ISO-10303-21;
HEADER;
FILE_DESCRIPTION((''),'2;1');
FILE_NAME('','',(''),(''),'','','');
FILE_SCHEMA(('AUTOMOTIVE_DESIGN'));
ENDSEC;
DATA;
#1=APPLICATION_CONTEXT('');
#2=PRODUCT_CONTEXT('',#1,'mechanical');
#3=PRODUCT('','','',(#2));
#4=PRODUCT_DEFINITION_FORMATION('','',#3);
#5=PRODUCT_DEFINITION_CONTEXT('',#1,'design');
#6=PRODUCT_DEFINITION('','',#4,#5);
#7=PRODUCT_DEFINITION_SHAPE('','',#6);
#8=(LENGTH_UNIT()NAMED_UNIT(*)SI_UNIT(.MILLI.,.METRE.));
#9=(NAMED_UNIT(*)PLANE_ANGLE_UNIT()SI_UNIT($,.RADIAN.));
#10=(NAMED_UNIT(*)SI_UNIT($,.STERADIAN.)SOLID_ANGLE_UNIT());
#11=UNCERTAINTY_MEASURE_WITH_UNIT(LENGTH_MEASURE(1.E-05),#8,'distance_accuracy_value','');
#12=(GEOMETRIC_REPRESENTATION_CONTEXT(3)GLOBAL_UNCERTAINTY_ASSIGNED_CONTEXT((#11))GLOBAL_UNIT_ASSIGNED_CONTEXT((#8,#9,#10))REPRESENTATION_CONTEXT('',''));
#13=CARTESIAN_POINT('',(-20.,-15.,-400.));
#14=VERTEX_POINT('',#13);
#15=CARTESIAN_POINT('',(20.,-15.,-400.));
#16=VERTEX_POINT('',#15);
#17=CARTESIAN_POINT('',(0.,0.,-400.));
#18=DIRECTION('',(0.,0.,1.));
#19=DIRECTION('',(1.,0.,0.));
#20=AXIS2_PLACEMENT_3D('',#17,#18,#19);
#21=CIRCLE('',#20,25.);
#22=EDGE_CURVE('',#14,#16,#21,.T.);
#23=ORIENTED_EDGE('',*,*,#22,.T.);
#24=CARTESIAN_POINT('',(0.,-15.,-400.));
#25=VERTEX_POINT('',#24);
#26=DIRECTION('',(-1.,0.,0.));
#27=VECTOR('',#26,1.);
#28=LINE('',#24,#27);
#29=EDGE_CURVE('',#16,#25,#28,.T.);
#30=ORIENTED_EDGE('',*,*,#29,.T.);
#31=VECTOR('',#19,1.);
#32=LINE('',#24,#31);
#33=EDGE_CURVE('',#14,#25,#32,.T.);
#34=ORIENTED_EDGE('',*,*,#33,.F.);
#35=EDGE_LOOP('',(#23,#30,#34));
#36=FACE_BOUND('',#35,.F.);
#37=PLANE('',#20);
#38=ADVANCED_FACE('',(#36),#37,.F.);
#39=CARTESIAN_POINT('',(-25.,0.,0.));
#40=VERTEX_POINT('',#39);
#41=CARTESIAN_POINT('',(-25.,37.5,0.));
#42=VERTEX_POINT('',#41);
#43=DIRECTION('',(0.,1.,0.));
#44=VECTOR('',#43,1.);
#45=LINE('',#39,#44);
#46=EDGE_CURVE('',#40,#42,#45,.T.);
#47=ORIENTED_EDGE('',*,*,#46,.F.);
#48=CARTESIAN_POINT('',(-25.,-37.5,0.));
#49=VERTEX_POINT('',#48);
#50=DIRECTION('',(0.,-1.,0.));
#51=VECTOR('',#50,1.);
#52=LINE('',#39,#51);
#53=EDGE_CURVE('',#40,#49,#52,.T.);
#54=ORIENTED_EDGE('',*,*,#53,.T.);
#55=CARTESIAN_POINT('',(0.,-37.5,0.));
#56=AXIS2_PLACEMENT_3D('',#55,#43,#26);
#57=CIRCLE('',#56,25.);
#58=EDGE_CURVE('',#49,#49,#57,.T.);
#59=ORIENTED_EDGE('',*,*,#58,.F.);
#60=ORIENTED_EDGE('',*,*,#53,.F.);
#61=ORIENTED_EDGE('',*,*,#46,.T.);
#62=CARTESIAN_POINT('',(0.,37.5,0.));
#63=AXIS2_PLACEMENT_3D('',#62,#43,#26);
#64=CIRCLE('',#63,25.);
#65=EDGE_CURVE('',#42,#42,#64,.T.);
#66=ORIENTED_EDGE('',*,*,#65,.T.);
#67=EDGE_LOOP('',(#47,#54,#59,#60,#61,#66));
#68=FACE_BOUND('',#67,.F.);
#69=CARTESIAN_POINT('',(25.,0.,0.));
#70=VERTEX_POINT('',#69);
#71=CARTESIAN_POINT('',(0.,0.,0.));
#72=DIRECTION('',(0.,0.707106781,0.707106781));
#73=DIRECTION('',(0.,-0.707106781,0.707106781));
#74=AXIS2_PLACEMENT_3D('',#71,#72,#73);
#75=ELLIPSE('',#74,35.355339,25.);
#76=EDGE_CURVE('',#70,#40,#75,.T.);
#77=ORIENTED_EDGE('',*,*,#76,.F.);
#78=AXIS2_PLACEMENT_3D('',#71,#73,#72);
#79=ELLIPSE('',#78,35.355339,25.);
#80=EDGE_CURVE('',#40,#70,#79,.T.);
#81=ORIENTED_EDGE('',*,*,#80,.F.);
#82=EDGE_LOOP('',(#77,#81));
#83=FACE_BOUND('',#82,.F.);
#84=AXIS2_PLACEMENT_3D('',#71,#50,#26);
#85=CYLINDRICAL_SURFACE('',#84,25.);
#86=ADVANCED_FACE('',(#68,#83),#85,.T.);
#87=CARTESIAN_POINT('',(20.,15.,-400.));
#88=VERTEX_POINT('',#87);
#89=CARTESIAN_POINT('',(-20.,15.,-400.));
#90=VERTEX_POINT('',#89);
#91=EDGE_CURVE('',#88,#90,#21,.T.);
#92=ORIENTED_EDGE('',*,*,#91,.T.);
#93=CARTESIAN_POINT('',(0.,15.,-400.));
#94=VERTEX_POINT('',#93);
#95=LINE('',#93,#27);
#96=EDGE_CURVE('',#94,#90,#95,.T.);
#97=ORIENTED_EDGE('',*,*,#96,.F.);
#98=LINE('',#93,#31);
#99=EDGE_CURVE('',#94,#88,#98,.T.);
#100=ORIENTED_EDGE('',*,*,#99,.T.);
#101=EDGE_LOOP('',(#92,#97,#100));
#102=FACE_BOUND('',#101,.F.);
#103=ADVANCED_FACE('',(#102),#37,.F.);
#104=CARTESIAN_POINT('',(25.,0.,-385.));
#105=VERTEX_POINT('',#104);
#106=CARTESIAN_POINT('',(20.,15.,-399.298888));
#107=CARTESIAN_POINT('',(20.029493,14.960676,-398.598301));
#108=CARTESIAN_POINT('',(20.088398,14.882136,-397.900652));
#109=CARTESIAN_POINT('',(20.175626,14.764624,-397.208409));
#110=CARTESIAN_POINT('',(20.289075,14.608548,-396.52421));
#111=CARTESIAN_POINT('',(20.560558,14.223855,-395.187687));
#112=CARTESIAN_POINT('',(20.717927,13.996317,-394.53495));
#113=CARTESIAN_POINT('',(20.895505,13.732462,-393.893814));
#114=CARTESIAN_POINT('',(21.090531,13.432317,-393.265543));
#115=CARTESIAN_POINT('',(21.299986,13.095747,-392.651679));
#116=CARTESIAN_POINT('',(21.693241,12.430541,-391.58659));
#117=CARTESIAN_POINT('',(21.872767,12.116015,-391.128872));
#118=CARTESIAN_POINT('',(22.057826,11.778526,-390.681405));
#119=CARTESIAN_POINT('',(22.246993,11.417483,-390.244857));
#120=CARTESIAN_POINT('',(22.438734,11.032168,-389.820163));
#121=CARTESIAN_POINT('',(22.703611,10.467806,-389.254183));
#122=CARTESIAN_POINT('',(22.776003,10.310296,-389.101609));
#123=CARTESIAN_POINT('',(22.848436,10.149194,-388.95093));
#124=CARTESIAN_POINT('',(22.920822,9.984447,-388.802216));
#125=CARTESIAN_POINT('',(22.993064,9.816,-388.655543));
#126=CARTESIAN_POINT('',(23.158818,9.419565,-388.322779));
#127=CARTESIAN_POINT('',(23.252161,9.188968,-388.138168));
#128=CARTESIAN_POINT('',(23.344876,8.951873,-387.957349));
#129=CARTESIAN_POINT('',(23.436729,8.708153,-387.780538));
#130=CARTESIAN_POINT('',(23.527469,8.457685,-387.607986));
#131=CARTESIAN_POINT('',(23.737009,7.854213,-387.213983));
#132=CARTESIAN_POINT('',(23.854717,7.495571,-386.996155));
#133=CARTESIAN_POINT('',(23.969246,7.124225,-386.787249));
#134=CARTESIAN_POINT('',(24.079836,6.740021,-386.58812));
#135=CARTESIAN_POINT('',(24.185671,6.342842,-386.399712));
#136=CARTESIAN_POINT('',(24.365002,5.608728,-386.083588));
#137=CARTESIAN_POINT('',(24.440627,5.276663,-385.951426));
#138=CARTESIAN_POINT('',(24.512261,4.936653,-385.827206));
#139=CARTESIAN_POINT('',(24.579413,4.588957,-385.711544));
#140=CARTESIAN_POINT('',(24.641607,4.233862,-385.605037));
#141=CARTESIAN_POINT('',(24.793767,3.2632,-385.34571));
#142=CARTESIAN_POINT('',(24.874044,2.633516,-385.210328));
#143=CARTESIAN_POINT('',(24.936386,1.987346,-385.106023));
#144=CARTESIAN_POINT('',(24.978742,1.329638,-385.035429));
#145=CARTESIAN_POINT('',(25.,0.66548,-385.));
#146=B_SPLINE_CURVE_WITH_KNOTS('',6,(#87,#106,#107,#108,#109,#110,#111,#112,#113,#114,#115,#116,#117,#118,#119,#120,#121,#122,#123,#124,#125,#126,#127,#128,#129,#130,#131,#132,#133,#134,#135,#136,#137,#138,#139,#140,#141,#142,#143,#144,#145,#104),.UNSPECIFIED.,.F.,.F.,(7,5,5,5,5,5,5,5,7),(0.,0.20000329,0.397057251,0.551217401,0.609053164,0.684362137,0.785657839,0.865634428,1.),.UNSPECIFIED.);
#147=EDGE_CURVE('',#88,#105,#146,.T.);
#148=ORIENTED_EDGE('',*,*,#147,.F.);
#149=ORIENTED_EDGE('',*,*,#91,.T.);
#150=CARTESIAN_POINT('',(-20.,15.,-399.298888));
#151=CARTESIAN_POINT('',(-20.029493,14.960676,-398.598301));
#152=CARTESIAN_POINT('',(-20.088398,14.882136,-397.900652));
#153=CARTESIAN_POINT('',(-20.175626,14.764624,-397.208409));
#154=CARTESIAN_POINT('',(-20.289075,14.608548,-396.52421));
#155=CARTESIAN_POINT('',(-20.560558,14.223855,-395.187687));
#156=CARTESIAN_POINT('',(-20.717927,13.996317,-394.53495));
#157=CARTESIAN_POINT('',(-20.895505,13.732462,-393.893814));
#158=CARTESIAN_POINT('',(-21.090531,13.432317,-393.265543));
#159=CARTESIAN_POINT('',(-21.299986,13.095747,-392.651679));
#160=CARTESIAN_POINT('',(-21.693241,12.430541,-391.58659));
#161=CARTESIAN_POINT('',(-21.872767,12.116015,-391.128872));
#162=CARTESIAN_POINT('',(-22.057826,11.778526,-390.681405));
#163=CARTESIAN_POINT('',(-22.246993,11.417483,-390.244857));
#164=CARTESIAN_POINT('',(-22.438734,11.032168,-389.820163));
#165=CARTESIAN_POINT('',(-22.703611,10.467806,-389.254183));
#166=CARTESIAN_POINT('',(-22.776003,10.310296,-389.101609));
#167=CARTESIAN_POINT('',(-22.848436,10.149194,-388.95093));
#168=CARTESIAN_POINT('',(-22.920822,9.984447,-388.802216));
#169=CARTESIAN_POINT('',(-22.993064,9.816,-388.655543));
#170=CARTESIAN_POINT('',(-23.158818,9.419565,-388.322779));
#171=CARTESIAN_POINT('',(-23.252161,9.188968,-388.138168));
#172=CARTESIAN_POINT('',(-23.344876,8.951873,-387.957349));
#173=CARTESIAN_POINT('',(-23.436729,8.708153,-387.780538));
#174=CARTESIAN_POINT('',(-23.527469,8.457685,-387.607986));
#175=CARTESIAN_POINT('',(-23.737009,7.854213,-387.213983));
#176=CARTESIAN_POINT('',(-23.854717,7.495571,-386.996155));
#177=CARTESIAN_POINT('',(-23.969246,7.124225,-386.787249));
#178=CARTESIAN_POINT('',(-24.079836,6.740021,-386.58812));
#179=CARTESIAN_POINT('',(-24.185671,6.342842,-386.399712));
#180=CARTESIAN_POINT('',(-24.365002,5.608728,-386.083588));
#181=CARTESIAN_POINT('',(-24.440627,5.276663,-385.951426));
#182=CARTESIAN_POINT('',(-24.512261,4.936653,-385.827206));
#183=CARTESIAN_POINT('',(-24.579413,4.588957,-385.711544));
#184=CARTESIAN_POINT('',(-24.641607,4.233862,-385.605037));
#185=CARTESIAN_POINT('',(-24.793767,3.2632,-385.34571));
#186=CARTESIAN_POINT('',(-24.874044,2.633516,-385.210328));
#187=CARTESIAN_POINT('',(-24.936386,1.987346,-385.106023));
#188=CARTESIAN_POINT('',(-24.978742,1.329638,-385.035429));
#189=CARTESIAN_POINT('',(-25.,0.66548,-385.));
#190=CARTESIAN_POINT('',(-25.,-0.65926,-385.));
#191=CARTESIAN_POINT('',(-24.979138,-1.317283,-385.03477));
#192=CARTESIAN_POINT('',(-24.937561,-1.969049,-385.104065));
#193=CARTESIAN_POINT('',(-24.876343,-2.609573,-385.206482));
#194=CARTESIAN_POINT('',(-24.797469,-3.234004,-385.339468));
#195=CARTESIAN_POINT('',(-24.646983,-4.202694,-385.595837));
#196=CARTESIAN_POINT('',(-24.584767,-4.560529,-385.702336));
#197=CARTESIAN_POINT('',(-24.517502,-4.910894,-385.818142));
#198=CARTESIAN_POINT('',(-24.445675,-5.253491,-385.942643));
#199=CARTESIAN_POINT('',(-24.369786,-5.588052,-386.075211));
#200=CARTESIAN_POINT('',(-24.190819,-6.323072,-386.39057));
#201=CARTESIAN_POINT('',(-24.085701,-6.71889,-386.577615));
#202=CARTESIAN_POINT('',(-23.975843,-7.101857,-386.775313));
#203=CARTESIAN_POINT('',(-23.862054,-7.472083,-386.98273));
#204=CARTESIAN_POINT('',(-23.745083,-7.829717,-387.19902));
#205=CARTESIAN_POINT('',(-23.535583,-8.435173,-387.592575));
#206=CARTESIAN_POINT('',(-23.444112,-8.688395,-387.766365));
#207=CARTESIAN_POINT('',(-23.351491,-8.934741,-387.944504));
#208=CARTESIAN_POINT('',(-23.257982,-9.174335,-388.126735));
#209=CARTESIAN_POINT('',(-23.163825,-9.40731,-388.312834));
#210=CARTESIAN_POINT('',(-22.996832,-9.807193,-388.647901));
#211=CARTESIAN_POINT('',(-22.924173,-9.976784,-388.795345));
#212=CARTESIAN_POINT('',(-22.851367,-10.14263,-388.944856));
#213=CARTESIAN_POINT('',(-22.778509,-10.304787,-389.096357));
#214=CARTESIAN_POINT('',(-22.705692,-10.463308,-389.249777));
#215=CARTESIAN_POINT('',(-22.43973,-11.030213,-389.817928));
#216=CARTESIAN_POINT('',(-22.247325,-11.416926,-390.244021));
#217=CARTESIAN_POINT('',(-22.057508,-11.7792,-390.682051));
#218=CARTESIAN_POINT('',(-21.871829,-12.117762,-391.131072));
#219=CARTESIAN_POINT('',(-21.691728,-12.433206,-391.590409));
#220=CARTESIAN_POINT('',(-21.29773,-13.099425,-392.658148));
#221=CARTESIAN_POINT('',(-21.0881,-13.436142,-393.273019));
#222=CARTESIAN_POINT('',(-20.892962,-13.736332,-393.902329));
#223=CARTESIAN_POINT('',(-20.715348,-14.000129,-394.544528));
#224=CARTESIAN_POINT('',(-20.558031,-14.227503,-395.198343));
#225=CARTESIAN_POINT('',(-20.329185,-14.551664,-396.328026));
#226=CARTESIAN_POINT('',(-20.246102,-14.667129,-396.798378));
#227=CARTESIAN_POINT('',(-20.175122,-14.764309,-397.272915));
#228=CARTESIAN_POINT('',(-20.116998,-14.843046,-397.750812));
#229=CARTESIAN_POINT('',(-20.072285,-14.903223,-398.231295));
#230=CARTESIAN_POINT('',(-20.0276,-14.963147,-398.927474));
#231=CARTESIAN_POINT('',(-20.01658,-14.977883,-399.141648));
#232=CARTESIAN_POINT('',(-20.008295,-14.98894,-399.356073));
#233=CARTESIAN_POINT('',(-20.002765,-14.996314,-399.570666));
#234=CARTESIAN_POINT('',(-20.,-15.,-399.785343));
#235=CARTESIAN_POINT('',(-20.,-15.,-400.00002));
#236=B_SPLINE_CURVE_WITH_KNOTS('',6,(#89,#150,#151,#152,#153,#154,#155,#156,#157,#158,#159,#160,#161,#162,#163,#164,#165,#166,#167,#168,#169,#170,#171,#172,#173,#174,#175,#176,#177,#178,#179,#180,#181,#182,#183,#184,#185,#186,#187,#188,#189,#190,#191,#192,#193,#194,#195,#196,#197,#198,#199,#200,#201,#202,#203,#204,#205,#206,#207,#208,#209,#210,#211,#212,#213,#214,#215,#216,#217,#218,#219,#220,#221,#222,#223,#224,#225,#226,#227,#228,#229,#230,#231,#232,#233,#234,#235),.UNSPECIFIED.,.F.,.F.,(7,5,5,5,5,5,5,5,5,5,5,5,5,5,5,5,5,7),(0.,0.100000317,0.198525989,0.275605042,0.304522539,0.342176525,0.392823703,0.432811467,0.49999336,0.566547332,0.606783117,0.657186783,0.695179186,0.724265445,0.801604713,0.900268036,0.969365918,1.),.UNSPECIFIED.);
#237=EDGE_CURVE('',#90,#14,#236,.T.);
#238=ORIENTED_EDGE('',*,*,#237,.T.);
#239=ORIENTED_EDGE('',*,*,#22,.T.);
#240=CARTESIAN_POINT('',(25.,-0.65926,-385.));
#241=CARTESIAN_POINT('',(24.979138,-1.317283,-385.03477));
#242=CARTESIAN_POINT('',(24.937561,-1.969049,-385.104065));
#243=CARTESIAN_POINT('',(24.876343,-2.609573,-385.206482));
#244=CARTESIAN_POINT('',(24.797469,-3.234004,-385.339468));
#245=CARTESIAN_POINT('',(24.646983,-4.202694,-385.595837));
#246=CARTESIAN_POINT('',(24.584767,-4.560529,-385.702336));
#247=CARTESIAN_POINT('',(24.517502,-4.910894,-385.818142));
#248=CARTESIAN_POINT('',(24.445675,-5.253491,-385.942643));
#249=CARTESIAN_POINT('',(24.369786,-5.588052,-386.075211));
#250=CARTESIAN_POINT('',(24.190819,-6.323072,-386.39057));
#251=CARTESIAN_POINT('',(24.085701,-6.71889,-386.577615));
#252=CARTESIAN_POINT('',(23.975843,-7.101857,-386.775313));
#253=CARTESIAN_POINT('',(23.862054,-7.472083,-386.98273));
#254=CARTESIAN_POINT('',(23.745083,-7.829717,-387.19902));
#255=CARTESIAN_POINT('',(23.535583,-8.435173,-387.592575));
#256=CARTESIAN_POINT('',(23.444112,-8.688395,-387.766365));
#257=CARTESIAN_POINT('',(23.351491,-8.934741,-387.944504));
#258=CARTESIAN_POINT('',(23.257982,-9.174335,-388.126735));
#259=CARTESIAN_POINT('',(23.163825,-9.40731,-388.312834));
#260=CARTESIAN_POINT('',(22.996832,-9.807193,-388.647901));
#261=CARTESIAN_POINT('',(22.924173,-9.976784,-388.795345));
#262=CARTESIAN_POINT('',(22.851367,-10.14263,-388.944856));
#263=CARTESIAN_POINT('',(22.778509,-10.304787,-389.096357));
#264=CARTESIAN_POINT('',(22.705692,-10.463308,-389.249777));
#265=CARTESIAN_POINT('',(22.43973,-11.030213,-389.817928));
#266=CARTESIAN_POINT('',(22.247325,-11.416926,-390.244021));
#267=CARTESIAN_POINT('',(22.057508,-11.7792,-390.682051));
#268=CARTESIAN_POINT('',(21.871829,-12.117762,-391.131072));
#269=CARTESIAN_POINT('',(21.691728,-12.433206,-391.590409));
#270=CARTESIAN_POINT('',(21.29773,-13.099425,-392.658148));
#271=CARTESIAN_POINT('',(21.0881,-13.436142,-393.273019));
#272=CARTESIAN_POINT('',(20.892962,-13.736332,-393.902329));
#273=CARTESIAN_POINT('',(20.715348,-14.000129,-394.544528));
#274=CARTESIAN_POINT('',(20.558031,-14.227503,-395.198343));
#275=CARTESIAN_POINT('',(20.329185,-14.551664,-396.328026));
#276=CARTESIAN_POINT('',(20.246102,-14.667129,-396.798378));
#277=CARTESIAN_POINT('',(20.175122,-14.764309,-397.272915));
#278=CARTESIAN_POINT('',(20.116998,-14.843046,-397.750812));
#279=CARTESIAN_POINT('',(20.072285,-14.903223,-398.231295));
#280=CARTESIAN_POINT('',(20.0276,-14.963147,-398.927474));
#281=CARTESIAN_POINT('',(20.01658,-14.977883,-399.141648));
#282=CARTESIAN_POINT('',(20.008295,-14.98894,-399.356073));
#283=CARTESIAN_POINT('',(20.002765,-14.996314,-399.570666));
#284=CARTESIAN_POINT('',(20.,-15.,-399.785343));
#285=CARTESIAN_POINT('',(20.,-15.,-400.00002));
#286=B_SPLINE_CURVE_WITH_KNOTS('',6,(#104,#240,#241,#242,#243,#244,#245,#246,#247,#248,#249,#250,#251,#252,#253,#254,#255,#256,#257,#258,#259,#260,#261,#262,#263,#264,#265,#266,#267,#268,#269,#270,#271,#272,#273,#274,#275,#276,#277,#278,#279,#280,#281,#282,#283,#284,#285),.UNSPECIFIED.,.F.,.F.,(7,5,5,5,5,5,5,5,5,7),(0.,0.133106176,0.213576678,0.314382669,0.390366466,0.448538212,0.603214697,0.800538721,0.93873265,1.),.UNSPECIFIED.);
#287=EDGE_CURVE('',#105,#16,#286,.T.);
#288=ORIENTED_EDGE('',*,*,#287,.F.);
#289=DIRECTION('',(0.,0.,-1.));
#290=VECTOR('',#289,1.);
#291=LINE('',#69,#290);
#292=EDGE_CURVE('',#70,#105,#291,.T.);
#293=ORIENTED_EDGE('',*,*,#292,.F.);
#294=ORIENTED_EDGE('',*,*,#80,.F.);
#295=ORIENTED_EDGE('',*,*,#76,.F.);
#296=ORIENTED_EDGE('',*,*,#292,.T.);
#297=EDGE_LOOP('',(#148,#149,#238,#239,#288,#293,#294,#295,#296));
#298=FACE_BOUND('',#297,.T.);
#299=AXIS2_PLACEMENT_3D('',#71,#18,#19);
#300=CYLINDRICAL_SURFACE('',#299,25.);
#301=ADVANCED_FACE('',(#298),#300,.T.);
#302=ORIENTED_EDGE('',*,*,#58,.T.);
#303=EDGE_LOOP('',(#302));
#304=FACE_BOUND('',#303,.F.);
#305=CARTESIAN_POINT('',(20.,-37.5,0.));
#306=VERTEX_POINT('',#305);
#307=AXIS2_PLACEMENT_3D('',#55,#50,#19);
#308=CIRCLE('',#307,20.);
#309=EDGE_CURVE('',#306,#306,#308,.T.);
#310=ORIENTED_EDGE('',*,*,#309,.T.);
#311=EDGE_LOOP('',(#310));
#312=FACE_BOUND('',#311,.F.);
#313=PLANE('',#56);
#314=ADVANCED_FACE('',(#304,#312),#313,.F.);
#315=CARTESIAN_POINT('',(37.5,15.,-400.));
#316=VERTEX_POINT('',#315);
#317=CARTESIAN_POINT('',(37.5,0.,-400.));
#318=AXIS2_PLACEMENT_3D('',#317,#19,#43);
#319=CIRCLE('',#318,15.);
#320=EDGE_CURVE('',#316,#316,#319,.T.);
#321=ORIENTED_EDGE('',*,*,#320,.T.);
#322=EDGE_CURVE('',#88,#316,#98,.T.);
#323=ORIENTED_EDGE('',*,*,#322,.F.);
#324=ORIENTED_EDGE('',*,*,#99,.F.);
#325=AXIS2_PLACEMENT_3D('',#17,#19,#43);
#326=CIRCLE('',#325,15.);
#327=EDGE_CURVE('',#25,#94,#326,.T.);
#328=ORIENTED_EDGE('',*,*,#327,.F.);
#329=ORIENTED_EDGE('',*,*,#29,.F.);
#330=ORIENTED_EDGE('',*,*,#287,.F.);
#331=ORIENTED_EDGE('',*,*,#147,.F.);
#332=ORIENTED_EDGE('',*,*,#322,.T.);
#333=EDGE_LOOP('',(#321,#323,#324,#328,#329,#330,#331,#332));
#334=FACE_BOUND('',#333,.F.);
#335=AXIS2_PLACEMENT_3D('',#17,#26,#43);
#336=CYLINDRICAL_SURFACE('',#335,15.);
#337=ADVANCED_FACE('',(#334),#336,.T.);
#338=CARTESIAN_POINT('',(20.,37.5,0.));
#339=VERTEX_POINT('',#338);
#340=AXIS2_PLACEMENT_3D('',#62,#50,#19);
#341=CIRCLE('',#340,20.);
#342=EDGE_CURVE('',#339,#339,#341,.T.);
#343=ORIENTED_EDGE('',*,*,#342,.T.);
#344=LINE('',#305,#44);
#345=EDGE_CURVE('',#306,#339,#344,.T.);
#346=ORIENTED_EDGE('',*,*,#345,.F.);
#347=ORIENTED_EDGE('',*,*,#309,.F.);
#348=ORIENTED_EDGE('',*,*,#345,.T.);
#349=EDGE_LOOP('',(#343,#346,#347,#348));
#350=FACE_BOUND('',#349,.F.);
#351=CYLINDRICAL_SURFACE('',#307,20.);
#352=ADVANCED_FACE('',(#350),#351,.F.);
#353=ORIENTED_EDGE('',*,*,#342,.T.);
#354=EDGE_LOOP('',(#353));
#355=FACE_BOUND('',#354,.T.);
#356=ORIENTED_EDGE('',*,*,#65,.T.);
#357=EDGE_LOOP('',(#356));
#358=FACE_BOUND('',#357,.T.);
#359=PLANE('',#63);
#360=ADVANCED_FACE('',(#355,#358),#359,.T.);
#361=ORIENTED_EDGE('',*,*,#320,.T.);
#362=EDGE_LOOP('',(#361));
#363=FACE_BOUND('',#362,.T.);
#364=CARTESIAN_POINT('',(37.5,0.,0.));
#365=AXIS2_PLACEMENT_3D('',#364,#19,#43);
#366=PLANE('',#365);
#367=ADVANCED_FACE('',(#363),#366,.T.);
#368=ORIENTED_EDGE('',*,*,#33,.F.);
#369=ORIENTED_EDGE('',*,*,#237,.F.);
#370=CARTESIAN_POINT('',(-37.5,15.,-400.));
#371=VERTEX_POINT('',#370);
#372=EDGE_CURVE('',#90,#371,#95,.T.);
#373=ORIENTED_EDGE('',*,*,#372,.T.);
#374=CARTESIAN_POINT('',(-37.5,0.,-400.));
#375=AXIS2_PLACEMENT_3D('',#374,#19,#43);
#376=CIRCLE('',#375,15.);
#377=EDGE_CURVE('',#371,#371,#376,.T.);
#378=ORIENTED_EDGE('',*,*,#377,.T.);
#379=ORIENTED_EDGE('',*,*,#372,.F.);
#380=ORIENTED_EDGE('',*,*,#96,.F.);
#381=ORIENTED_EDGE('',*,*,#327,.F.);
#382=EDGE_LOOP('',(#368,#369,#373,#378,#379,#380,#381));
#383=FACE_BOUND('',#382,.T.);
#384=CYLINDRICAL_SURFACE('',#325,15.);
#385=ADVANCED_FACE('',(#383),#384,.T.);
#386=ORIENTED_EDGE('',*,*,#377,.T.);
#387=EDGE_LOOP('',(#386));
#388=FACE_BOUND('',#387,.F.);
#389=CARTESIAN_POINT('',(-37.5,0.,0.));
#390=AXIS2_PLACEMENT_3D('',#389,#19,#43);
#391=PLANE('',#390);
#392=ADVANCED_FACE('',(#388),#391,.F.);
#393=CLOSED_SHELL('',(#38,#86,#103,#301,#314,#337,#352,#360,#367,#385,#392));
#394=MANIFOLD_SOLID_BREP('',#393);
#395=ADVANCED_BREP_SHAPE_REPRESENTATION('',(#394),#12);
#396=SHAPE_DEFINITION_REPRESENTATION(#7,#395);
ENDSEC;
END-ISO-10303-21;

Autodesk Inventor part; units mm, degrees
ref_plane "作業平面1" through (0, 0, -400) normal (0, 0, 1) x (1, 0, 0)
sketch "スケッチ3" plane through (0, 0, 0) normal (0, 0, 1) x (1, 0, 0)
  circle A0 centre (0, 0) radius 25
  dimension "d7" = 50
extrude "押し出し2" add sketch "スケッチ3" against normal blind 400
sketch "スケッチ4" plane through (0, 0, 0) normal (0, 1, 0) x (-1, 0, 0)
  circle A0 centre (0, 0) radius 25
  dimension "d10" = 50
extrude "押し出し3" add sketch "スケッチ4" along normal mid plane 75
sketch "スケッチ5" plane through (0, -37.5, 0) normal (0, -1, 0) x (1, 0, 0)
  circle A0 centre (0, 0) radius 20
  dimension "d13" = 40
extrude "押し出し4" cut sketch "スケッチ5" against normal blind 75
sketch "スケッチ6" plane through (0, 0, 0) normal (1, 0, 0) x (0, 1, 0)
  circle A0 centre (0, -400) radius 15
  line L0 (-52.5, 0) -> (52.5, 0) projected
  point P0 (0, 0)
  dimension "d16" = 30
  dimension "d17" = 400
extrude "押し出し5" add sketch "スケッチ6" along normal mid plane 75
properties part number "LowerlegP"
